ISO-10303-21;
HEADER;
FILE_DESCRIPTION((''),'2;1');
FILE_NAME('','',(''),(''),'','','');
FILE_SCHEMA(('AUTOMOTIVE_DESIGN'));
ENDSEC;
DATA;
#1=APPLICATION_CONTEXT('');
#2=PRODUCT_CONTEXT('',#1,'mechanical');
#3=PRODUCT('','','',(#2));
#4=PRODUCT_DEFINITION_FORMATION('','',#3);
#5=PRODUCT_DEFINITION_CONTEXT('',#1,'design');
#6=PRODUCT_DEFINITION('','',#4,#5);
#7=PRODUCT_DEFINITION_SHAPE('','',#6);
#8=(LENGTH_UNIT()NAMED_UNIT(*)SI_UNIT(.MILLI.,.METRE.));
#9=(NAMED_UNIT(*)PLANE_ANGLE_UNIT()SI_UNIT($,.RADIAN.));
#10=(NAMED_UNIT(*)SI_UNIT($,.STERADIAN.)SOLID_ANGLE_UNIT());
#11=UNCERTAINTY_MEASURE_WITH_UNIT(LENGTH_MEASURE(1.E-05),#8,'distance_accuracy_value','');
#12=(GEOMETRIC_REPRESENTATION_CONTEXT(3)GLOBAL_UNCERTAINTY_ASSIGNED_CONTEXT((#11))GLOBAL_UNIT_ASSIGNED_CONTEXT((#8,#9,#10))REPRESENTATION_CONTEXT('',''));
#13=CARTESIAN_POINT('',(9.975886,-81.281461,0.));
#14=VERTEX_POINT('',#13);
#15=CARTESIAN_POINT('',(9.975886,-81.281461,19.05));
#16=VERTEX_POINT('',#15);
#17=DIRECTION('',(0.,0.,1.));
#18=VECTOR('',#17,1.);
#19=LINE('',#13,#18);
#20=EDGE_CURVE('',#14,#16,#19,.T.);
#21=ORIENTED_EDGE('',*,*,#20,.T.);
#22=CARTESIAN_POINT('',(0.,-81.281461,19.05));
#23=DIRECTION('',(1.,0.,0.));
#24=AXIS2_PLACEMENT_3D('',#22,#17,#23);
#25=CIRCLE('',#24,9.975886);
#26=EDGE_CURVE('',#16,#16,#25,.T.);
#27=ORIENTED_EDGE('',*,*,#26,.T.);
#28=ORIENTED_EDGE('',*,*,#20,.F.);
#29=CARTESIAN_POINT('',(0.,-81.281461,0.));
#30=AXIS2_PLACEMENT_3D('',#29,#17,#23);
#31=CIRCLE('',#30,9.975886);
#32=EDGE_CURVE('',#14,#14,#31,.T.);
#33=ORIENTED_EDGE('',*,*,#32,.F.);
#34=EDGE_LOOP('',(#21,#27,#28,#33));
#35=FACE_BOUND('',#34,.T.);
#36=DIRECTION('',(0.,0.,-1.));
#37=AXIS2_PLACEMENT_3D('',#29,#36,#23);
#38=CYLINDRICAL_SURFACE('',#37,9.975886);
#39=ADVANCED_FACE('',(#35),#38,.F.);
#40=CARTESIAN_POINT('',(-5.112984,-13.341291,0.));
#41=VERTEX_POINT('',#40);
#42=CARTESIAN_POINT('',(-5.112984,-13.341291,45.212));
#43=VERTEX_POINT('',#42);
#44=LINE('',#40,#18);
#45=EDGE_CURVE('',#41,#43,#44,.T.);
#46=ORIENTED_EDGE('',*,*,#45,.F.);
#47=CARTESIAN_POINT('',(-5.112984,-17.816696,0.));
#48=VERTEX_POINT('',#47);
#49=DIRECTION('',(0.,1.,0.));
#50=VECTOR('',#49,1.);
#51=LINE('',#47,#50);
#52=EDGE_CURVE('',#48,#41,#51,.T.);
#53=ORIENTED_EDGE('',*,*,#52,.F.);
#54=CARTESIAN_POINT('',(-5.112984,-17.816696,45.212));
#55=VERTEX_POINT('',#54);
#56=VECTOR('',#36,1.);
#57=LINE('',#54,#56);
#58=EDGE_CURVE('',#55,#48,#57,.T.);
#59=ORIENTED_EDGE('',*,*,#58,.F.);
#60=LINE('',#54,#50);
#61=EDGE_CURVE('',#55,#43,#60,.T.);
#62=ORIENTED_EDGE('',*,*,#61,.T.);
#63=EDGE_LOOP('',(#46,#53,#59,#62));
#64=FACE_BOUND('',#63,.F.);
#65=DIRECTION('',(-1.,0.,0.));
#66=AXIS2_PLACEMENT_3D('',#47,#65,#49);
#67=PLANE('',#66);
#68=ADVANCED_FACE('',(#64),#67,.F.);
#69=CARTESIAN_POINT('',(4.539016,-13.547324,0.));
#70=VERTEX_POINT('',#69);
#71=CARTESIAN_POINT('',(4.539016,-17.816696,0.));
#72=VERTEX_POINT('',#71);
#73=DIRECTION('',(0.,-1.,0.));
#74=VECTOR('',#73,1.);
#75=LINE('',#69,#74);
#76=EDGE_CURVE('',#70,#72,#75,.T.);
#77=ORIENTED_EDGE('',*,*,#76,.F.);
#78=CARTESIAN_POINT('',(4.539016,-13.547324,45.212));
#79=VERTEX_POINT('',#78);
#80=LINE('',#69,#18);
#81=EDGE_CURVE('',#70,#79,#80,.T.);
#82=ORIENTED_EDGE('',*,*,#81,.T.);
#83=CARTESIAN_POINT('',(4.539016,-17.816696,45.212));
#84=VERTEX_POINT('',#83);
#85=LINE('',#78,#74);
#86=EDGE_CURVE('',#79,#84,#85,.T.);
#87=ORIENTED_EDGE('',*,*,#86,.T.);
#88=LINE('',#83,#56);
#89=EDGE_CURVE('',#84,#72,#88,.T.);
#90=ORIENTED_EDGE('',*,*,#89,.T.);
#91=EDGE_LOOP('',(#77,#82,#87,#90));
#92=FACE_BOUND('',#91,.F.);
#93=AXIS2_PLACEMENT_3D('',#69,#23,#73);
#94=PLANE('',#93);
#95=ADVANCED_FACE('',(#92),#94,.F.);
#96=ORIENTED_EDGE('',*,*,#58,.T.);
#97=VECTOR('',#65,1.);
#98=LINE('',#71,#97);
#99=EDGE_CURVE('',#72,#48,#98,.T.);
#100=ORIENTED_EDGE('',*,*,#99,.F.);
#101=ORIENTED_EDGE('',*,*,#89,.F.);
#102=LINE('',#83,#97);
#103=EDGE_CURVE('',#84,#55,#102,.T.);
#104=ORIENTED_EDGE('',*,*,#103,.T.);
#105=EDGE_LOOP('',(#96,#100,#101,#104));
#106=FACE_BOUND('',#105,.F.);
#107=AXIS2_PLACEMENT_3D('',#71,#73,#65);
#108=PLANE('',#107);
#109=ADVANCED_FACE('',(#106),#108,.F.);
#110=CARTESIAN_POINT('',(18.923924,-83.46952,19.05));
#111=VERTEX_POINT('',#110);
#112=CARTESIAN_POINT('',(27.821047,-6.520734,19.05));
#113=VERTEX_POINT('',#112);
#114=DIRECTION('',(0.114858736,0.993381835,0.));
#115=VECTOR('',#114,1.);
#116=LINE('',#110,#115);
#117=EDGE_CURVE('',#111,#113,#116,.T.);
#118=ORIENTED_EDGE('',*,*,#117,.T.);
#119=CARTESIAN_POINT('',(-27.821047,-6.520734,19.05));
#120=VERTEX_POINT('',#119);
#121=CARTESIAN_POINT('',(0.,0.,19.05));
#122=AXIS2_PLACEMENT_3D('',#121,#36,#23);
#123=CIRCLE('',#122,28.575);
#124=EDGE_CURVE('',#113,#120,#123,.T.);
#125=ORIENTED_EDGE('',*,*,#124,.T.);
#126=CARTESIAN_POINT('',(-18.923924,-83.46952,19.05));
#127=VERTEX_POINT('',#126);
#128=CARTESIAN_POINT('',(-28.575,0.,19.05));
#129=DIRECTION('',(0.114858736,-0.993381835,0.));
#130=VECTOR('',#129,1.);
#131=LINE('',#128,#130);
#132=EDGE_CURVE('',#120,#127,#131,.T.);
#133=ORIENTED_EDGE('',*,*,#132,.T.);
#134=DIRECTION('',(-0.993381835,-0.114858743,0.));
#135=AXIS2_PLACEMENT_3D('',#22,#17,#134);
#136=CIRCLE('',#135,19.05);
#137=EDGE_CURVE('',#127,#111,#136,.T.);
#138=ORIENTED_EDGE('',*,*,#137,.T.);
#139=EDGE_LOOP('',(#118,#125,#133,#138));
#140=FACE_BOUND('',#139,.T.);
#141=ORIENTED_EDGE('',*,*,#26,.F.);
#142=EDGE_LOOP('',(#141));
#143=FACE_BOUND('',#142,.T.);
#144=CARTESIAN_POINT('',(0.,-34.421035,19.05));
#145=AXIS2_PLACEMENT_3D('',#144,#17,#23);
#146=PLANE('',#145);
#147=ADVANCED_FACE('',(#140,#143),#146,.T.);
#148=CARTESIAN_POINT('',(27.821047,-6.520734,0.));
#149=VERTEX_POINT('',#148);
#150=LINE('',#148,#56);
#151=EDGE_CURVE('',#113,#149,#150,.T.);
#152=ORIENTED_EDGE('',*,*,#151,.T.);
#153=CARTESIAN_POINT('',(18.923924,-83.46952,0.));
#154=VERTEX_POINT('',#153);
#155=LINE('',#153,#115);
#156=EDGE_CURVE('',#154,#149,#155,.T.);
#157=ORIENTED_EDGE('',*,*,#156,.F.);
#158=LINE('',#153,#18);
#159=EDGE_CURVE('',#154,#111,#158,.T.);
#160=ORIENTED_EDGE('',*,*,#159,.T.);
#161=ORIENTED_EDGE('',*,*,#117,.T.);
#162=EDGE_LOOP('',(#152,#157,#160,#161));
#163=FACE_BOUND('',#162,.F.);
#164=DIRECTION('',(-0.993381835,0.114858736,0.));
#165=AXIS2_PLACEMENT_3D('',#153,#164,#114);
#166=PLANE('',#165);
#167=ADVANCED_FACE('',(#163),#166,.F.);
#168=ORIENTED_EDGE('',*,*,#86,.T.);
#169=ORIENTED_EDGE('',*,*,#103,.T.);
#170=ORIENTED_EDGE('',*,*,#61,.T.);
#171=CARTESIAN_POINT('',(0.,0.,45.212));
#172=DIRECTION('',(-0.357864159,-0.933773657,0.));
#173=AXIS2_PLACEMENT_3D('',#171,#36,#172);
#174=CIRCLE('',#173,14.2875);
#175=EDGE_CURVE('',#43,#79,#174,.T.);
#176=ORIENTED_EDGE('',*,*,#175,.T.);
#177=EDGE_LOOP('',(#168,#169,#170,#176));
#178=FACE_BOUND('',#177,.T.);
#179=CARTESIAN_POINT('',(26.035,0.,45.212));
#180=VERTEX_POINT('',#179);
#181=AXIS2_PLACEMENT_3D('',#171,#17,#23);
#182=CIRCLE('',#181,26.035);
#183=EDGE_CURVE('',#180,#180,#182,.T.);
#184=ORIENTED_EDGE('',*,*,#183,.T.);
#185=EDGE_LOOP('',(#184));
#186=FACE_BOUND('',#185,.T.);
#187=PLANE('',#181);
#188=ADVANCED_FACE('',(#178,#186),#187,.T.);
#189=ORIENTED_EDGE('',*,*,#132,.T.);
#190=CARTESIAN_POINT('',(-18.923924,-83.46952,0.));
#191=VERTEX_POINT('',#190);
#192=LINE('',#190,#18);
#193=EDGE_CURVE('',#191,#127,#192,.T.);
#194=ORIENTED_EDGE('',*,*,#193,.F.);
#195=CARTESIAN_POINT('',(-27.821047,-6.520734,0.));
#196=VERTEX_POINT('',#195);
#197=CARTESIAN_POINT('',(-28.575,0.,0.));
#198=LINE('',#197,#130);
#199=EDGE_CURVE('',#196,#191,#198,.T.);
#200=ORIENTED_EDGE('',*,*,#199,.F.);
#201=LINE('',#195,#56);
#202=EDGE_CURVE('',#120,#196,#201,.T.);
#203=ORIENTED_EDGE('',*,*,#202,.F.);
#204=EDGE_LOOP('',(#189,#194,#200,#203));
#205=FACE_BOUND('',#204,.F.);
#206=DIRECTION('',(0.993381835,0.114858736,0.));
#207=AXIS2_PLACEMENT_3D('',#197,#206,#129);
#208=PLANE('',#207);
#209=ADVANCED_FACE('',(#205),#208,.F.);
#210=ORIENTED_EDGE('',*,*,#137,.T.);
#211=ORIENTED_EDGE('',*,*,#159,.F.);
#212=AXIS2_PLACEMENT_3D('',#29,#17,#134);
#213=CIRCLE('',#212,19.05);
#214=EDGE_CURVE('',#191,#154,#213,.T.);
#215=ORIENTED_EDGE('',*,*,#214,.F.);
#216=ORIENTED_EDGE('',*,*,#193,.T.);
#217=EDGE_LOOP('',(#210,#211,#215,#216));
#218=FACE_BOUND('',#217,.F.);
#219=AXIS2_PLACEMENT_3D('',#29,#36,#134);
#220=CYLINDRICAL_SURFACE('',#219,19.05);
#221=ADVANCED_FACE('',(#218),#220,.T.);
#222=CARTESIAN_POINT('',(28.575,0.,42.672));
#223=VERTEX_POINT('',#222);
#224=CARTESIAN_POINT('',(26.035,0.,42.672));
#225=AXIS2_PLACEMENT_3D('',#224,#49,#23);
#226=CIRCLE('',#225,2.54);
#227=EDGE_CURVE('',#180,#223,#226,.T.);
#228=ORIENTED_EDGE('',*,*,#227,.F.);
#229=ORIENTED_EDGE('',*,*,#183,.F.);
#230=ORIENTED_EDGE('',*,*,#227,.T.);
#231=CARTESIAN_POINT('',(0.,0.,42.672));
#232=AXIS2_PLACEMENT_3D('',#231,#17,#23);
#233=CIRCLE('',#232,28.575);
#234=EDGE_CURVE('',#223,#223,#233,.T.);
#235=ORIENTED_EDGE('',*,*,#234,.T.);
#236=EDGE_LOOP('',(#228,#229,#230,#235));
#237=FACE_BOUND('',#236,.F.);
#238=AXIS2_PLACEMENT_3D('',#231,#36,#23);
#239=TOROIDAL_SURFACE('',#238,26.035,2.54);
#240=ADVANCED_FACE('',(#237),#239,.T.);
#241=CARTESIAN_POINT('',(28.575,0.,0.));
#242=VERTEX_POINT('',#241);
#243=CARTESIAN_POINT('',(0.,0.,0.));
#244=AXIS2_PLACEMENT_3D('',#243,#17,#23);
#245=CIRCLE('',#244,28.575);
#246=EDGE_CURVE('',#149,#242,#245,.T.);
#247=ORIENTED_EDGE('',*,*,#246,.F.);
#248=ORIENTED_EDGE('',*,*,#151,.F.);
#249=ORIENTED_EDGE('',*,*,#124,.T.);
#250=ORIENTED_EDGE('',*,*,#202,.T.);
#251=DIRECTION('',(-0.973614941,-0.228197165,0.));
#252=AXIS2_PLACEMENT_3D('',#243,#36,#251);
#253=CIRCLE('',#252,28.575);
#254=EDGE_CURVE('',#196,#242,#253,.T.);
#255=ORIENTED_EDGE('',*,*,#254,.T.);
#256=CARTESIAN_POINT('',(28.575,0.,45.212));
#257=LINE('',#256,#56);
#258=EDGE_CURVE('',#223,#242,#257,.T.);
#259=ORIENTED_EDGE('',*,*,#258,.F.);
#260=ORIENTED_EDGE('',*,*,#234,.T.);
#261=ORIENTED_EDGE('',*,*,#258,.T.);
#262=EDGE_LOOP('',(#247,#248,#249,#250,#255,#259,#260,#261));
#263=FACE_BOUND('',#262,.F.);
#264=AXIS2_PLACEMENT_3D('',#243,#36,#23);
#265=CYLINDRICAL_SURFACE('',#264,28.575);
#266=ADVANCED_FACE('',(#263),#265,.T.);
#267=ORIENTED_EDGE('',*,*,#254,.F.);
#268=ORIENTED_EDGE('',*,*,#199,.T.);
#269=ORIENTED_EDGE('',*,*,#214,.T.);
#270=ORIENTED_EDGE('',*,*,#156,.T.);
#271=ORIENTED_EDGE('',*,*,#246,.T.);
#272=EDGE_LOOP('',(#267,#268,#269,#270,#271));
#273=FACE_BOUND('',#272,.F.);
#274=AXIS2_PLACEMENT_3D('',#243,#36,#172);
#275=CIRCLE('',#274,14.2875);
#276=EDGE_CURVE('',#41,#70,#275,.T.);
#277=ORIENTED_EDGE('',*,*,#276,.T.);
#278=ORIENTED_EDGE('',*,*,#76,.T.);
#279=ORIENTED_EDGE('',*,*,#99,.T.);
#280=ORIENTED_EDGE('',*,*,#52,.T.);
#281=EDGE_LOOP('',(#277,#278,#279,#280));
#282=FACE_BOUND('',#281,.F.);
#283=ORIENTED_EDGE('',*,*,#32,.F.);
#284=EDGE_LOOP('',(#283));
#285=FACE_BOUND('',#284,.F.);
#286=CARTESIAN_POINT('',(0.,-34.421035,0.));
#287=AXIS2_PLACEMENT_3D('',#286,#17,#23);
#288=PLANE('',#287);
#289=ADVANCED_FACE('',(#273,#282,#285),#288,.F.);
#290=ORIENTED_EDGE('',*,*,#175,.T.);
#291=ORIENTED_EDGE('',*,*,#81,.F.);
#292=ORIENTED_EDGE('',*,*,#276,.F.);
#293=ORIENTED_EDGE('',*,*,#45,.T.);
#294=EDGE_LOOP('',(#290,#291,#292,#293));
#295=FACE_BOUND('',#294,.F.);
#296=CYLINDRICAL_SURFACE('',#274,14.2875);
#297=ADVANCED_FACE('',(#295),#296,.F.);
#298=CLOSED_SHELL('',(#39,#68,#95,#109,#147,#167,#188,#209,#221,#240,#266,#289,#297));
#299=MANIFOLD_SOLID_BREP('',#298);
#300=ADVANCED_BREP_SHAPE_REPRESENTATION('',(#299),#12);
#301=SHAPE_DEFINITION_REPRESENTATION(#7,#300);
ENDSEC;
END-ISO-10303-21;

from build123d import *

# Parameters (mm, degrees)
F0_R     = 9.975886
F2_DEPTH = 19.05
F1_R     = 28.575
F3_DEPTH = 45.212
F4_R     = 2.54


with BuildPart() as f2:
    # F0 (on Top) → F2 (new body)
    with BuildSketch(Plane.XY):
        with BuildLine():
            Line((18.923924, -83.46952), (28.575, 0))
            ThreePointArc((28.575, 0), (0, 28.575), (-28.575, 0))
            Line((-28.575, 0), (-18.923924, -83.46952))
            ThreePointArc((-18.923924, -83.46952), (0, -100.331461), (18.923924, -83.46952))
        make_face()
        with Locations((0, -81.281461)):
            Circle(F0_R, mode=Mode.SUBTRACT)
        with BuildLine():
            ThreePointArc((-5.112984, -13.341291), (0.304913, 14.284246), (4.539016, -13.547324))
            Line((4.539016, -13.547324), (4.539016, -17.816696))
            Line((4.539016, -17.816696), (-5.112984, -17.816696))
            Line((-5.112984, -17.816696), (-5.112984, -13.341291))
        make_face(mode=Mode.SUBTRACT)
    extrude(amount=F2_DEPTH)

    # F1 (on Top) → F3 (join)
    with BuildSketch(Plane.XY):
        Circle(F1_R)
        with BuildLine():
            ThreePointArc((-5.112984, -13.341291), (0.304913, 14.284246), (4.539016, -13.547324))
            Line((4.539016, -13.547324), (4.539016, -17.816696))
            Line((4.539016, -17.816696), (-5.112984, -17.816696))
            Line((-5.112984, -17.816696), (-5.112984, -13.341291))
        make_face(mode=Mode.SUBTRACT)
    extrude(amount=F3_DEPTH)

    # F4
    f4_edges = [f2.edges().sort_by_distance(p)[0] for p in [
        (-28.575, 0, 45.212),
    ]]
    fillet(f4_edges, radius=F4_R)


solid = f2.part
